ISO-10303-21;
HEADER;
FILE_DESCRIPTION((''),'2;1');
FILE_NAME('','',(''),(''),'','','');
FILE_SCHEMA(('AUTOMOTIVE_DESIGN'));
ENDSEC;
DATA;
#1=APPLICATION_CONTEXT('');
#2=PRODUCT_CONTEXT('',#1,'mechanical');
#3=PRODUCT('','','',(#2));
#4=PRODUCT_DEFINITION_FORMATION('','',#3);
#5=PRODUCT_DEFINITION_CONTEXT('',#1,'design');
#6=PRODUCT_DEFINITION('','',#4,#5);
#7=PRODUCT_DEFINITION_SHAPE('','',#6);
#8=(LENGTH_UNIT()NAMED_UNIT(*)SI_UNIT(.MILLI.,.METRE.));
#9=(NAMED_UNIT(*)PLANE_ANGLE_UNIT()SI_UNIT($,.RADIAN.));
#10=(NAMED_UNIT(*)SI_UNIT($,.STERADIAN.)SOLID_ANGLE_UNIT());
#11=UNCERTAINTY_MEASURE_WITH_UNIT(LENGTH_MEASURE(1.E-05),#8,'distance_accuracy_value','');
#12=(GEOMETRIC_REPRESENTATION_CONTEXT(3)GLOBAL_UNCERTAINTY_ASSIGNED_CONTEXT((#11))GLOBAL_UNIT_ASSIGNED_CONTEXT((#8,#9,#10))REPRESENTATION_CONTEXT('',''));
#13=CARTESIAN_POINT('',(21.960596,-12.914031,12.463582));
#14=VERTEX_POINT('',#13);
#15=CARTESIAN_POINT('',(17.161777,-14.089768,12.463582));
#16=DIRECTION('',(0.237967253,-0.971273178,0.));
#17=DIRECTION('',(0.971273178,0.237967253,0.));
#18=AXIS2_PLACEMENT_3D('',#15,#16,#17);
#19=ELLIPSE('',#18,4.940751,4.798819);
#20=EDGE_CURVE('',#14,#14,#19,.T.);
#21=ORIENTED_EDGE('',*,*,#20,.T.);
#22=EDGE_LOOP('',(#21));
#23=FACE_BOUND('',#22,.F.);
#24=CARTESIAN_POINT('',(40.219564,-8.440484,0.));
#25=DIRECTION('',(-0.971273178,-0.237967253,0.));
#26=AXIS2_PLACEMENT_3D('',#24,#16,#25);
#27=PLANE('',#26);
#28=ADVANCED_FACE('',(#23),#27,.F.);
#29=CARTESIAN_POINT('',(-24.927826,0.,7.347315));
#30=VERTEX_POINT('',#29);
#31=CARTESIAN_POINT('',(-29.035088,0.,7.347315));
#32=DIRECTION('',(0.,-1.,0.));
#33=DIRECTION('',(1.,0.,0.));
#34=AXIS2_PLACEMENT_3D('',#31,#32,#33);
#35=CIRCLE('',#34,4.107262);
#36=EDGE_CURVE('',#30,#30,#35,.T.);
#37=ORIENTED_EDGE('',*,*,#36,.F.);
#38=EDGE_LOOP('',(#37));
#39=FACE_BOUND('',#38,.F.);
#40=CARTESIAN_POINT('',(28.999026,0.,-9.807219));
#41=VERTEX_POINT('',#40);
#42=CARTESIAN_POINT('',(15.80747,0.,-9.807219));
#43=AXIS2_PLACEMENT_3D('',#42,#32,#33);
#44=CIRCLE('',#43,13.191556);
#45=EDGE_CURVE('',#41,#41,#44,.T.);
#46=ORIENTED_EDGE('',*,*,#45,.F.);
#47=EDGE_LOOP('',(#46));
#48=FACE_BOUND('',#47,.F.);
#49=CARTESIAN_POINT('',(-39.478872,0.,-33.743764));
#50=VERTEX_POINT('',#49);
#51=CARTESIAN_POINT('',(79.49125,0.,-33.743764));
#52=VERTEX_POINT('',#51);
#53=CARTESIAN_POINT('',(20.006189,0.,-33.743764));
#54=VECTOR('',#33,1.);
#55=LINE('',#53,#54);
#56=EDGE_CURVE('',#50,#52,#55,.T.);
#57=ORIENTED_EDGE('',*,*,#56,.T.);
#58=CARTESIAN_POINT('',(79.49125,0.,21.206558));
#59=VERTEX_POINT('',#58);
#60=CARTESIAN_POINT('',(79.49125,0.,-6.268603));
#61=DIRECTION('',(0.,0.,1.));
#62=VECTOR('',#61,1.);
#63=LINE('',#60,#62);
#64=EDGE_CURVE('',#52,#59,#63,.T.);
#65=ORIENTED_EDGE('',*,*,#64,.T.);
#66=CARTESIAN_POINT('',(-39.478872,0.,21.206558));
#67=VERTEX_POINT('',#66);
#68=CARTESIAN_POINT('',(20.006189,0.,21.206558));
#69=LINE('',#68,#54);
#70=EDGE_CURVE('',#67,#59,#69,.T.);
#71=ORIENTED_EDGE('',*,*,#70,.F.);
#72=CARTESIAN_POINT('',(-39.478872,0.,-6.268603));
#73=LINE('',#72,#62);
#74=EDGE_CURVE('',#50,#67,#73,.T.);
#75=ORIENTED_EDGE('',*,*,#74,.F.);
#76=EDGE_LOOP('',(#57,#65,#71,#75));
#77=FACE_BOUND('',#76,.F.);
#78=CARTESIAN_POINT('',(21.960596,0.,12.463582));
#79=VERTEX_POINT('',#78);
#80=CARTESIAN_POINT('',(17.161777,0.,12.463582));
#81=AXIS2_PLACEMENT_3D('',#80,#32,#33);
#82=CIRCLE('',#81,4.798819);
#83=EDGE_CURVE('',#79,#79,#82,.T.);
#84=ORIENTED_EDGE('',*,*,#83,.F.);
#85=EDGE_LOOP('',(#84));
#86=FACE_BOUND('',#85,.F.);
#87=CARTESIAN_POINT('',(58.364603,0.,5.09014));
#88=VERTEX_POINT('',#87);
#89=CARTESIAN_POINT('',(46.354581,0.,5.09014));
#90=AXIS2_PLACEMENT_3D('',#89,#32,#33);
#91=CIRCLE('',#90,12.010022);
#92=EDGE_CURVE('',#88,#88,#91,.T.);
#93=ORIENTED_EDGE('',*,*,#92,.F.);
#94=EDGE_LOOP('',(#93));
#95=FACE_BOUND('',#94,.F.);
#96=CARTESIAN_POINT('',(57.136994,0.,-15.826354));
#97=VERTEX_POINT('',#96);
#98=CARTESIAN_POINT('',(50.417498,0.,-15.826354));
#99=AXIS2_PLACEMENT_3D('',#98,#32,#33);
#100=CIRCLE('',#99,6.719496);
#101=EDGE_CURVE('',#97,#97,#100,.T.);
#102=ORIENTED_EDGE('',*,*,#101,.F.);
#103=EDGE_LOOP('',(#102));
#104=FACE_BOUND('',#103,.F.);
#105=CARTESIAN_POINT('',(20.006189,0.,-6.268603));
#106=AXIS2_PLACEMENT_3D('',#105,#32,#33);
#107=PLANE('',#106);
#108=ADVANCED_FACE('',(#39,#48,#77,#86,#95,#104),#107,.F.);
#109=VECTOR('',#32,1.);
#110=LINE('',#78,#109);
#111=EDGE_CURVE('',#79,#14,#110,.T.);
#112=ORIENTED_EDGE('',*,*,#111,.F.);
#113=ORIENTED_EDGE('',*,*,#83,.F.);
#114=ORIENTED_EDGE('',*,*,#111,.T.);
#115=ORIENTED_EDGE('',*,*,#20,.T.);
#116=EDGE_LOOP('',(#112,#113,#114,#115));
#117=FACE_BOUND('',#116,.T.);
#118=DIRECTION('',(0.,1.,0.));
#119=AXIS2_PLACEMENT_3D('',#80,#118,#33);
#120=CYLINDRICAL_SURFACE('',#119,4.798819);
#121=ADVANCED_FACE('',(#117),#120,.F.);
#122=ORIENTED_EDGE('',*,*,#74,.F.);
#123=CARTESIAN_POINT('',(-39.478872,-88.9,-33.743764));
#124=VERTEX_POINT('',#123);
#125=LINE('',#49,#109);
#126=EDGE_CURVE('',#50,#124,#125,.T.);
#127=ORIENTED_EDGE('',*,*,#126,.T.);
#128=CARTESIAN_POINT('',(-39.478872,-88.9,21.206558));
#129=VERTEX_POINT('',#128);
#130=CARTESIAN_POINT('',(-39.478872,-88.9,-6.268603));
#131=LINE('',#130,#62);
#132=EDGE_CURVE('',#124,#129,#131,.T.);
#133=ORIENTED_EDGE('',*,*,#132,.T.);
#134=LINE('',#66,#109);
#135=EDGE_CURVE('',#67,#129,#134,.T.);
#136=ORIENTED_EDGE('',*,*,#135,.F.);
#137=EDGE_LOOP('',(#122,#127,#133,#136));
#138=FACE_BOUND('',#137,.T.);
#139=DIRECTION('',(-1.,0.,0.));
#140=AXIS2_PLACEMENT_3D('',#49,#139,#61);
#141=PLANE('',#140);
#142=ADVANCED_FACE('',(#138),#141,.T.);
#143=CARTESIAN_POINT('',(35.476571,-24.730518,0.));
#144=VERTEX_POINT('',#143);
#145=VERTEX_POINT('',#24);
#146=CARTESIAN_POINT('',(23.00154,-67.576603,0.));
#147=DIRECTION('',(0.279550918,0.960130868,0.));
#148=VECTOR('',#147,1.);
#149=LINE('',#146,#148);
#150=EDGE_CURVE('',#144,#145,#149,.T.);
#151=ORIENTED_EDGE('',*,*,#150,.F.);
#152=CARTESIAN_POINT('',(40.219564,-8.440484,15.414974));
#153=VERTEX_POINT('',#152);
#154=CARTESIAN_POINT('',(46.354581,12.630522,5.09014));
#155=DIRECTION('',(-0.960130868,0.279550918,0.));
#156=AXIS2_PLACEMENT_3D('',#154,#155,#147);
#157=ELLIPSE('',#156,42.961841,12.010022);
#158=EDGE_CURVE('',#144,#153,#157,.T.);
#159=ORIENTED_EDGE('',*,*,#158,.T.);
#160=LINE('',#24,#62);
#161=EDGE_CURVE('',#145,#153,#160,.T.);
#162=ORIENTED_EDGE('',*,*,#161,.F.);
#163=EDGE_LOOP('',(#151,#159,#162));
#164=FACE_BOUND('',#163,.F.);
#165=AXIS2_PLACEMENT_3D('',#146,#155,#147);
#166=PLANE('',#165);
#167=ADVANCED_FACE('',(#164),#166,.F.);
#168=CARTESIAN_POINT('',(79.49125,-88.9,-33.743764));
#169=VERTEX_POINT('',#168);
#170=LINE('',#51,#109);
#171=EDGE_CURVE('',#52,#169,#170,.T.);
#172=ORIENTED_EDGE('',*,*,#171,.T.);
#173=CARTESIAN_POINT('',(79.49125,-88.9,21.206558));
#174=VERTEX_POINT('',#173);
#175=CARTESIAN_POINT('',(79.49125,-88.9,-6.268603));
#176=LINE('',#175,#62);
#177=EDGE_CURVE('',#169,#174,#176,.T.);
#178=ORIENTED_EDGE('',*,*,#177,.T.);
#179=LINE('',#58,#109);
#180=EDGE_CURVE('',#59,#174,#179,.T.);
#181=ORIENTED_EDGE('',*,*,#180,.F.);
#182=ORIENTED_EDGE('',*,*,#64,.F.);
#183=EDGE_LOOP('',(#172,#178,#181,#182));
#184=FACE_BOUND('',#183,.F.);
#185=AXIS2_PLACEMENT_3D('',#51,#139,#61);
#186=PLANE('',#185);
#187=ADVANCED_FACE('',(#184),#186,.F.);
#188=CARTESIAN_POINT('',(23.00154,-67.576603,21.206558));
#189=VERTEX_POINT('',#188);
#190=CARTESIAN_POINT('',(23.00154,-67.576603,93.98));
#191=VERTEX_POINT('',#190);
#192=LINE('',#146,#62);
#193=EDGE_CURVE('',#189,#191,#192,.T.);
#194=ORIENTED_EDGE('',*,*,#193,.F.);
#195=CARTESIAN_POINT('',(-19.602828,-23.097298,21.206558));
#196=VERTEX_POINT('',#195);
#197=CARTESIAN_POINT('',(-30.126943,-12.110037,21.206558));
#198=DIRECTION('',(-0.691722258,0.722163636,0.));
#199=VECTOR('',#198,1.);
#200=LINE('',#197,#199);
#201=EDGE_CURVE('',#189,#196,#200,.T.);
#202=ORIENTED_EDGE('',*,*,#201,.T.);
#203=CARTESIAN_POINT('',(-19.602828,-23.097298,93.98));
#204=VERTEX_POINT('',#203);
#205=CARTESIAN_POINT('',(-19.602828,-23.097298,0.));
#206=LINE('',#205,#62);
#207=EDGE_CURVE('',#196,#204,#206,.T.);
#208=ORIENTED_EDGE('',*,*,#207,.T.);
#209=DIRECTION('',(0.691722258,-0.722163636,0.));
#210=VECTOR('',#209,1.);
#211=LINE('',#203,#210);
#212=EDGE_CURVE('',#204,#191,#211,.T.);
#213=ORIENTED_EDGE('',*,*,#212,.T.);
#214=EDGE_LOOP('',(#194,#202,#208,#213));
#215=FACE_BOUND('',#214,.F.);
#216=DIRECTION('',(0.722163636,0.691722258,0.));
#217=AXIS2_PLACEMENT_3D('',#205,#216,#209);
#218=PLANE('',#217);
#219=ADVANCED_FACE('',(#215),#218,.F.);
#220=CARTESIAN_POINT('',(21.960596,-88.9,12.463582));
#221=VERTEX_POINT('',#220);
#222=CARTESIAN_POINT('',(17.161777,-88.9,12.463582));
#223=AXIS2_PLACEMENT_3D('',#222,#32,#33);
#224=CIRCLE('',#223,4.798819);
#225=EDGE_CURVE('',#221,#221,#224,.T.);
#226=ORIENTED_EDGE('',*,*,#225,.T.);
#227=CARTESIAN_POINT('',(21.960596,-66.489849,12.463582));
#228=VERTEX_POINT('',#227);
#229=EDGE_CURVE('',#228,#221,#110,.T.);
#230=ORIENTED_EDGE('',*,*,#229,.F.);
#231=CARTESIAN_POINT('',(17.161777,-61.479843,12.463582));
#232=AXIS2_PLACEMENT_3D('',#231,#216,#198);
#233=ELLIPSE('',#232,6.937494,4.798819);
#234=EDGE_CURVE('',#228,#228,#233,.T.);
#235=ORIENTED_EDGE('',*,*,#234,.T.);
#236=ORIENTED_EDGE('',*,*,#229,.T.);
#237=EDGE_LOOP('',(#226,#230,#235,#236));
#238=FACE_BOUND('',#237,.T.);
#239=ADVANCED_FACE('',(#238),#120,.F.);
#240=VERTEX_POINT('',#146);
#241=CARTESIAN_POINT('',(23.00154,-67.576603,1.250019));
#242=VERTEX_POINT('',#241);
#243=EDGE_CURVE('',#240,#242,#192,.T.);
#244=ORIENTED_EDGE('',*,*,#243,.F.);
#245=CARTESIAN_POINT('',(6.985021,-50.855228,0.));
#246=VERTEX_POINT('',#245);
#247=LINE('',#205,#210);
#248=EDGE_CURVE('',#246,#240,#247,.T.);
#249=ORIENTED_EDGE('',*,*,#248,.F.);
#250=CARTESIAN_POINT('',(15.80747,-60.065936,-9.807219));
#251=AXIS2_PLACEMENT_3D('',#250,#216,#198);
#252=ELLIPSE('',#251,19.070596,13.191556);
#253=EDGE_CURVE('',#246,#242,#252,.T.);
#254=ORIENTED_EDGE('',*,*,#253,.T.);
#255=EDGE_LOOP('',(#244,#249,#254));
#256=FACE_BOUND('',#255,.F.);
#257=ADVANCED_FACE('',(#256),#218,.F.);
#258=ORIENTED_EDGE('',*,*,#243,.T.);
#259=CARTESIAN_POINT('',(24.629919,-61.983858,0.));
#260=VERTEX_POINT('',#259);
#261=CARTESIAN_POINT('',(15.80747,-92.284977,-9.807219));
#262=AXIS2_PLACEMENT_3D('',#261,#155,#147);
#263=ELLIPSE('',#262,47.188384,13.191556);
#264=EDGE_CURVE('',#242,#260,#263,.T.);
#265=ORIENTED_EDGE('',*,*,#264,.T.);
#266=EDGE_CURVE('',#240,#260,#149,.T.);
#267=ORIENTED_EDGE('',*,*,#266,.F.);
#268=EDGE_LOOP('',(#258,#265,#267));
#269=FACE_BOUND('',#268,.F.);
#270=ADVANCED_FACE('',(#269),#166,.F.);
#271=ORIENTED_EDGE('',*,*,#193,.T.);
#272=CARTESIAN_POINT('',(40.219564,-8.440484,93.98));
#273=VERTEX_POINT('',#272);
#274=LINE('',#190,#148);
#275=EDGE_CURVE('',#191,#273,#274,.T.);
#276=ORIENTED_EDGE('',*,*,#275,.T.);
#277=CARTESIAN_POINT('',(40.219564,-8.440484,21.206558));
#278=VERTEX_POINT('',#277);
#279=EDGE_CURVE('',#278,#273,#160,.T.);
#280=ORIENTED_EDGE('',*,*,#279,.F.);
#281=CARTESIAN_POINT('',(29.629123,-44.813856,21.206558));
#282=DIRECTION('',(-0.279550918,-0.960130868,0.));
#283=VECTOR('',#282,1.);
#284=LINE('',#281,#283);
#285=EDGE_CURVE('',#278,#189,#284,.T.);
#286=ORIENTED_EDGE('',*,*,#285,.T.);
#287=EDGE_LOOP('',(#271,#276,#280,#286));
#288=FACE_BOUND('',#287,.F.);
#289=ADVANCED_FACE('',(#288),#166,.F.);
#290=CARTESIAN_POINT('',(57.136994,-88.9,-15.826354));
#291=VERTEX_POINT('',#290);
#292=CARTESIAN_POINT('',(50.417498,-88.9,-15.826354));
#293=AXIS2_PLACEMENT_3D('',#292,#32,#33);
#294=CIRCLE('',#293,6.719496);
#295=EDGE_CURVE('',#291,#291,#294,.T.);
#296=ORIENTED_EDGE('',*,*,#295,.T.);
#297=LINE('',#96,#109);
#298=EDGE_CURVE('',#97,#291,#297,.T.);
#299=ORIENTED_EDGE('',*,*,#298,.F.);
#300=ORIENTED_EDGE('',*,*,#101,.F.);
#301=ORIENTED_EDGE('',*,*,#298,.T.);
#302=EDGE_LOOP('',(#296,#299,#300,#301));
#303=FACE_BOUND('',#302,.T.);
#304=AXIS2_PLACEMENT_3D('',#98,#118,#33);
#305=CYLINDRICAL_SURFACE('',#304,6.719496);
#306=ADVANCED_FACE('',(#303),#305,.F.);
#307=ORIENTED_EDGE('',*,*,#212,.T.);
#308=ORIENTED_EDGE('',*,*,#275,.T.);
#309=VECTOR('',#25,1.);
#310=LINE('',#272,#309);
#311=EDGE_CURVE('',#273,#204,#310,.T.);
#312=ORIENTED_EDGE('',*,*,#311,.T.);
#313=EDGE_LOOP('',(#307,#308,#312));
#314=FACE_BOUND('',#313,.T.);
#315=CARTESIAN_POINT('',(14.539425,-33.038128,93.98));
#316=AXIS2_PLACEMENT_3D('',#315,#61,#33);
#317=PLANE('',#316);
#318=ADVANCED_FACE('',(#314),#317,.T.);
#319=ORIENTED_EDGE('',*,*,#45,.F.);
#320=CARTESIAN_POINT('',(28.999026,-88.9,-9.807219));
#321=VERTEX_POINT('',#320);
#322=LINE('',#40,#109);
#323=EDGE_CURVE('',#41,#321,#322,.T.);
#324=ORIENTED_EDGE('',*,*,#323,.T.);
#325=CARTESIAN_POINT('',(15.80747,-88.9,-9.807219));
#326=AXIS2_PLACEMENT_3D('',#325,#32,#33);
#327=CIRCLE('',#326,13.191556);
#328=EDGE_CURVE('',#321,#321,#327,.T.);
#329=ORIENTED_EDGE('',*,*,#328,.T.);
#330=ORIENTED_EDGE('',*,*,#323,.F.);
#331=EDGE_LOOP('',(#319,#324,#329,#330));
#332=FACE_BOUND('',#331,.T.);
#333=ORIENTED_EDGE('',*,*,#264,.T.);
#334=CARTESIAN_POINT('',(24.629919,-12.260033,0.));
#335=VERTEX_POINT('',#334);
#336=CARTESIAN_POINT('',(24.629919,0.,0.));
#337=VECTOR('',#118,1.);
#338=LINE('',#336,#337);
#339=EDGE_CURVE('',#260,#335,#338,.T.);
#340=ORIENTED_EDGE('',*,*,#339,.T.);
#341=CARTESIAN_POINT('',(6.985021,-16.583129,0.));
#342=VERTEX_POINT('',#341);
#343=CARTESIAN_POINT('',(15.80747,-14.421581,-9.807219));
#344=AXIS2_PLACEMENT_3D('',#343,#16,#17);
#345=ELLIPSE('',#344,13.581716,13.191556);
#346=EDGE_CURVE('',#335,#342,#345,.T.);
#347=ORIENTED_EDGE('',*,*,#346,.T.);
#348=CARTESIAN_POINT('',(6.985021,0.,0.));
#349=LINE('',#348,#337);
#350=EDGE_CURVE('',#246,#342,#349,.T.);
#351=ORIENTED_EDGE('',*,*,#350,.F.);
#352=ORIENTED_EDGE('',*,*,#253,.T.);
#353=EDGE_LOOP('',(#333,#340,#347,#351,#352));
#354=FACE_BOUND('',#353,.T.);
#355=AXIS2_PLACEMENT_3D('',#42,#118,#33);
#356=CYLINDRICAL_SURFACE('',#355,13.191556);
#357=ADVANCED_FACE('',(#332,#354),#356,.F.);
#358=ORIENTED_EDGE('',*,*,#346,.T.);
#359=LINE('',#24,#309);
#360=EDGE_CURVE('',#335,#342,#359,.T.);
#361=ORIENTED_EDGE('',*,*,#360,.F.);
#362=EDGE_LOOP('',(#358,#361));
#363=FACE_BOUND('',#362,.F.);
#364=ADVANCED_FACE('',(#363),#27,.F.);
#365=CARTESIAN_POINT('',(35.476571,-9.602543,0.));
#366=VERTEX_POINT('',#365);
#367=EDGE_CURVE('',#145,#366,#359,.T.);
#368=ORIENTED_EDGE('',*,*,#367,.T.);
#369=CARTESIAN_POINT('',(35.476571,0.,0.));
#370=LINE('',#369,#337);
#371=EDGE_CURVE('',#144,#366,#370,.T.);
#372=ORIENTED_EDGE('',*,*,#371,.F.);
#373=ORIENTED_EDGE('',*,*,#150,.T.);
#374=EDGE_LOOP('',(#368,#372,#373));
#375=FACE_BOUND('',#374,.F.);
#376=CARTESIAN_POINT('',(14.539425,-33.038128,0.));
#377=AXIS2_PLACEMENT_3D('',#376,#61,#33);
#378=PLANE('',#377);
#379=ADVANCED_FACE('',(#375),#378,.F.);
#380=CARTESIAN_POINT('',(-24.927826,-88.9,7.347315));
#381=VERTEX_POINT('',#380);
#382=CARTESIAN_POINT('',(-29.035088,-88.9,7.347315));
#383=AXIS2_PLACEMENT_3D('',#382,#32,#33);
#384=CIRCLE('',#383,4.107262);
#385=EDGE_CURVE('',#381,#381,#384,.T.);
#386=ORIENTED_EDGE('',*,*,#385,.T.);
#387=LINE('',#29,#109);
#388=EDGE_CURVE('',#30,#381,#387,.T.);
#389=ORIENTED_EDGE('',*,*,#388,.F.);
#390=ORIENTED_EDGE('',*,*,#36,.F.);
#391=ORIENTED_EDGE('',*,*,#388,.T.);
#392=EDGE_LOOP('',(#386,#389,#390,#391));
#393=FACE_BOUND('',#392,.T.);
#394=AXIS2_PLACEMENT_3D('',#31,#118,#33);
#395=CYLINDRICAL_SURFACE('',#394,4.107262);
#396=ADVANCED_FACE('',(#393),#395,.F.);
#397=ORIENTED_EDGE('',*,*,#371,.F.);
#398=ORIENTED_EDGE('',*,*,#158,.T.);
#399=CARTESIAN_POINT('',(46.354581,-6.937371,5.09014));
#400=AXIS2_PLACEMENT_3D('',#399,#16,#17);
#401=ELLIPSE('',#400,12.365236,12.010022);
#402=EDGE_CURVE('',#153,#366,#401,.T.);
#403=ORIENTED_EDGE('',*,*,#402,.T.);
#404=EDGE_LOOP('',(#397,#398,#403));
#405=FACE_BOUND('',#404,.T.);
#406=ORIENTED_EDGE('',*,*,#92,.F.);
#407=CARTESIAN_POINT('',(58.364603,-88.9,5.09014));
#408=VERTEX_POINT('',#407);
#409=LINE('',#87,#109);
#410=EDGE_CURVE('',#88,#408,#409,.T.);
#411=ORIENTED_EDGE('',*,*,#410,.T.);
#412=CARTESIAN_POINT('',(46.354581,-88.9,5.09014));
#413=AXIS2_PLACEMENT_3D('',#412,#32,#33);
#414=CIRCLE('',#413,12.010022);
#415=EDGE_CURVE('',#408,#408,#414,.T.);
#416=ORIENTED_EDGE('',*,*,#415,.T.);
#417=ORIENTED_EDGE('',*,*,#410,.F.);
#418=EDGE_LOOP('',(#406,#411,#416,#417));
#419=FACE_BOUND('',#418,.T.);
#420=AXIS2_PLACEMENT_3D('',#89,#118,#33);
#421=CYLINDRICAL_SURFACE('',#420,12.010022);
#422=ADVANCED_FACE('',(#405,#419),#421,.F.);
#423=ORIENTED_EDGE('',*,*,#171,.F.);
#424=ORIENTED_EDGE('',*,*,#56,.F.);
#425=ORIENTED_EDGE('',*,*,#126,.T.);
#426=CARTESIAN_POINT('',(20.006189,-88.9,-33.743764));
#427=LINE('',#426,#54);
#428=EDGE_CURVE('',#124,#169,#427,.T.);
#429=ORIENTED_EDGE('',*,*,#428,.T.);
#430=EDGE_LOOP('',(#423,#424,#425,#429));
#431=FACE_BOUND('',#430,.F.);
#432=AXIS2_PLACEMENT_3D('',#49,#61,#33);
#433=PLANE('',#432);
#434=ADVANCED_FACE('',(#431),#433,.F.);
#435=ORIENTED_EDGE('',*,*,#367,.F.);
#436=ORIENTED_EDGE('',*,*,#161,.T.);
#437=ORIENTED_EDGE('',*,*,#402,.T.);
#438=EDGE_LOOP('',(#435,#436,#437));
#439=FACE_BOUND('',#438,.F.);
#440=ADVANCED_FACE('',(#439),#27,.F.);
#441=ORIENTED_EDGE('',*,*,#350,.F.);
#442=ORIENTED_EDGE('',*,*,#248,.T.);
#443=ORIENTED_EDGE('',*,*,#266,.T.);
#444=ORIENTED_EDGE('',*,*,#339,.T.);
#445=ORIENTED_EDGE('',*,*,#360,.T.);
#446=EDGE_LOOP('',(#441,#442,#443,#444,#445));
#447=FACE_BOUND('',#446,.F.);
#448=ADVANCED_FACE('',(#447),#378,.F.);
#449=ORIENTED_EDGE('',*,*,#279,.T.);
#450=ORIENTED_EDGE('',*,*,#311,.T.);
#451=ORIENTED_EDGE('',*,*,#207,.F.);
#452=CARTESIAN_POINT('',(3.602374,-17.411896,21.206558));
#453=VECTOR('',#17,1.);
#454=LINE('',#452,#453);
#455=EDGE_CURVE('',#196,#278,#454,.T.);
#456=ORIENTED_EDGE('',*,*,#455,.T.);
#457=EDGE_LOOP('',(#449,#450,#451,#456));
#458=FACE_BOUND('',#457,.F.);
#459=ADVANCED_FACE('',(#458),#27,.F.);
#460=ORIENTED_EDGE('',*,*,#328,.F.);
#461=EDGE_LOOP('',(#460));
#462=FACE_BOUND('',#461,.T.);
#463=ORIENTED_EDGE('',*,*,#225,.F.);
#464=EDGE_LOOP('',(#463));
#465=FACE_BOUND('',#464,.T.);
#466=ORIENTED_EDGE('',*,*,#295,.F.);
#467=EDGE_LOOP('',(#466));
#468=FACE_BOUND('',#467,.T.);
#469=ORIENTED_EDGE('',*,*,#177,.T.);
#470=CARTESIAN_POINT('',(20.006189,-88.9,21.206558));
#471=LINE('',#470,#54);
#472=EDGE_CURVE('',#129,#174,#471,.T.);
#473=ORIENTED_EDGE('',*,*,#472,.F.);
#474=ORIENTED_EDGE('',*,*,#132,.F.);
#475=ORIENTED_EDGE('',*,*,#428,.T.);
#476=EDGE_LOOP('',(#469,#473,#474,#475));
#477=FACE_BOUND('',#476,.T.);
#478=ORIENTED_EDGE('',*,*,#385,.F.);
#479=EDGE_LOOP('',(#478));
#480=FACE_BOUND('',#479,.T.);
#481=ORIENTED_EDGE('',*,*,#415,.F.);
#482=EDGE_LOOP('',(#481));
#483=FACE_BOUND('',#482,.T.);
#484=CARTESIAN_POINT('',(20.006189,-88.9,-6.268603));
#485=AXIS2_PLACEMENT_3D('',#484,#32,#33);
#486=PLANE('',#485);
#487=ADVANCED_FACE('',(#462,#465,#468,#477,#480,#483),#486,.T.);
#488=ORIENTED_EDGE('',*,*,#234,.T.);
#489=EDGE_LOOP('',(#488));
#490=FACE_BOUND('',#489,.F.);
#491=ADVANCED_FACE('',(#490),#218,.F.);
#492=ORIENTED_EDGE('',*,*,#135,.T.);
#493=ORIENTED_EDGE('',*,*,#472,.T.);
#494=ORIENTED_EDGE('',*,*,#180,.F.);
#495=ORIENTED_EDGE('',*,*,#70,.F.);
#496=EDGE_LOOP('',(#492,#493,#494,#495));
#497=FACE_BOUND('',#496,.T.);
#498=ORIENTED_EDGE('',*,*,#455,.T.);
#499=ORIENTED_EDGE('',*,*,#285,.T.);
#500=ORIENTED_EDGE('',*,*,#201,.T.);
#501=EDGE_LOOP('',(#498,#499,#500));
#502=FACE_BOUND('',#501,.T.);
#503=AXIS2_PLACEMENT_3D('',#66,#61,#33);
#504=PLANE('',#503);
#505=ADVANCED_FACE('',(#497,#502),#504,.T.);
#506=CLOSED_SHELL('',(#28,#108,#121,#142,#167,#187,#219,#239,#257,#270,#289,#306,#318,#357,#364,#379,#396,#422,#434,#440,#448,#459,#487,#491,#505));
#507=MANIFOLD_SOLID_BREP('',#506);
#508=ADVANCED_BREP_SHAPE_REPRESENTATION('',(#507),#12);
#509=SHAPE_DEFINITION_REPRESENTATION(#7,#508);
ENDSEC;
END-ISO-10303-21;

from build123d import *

# Parameters (mm, degrees)
F0_W     = 118.970122
F0_H     = 54.950323
F0_R     = 13.191556
F0_R_2   = 6.719496
F0_R_3   = 4.107262
F0_R_4   = 4.798819
F0_R_5   = 12.010022
F1_DEPTH = 88.9
F3_DEPTH = 93.98


with BuildPart() as f1:
    # F0 (on Front) → F1 (new body)
    with BuildSketch(Plane.XZ):
        with Locations((20.006189, -6.268603)):
            Rectangle(F0_W, F0_H)
        with Locations((15.80747, -9.807219)):
            Circle(F0_R, mode=Mode.SUBTRACT)
        with Locations((50.417498, -15.826354)):
            Circle(F0_R_2, mode=Mode.SUBTRACT)
        with Locations((-29.035088, 7.347315)):
            Circle(F0_R_3, mode=Mode.SUBTRACT)
        with Locations((17.161777, 12.463582)):
            Circle(F0_R_4, mode=Mode.SUBTRACT)
        with Locations((46.354581, 5.09014)):
            Circle(F0_R_5, mode=Mode.SUBTRACT)
    extrude(amount=F1_DEPTH)

    # F2 (on Top) → F3 (join)
    with BuildSketch(Plane.XY):
        Polygon((23.00154, -67.576603), (40.219564, -8.440484), (-19.602828, -23.097298), align=None)
    extrude(amount=F3_DEPTH)


solid = f1.part
